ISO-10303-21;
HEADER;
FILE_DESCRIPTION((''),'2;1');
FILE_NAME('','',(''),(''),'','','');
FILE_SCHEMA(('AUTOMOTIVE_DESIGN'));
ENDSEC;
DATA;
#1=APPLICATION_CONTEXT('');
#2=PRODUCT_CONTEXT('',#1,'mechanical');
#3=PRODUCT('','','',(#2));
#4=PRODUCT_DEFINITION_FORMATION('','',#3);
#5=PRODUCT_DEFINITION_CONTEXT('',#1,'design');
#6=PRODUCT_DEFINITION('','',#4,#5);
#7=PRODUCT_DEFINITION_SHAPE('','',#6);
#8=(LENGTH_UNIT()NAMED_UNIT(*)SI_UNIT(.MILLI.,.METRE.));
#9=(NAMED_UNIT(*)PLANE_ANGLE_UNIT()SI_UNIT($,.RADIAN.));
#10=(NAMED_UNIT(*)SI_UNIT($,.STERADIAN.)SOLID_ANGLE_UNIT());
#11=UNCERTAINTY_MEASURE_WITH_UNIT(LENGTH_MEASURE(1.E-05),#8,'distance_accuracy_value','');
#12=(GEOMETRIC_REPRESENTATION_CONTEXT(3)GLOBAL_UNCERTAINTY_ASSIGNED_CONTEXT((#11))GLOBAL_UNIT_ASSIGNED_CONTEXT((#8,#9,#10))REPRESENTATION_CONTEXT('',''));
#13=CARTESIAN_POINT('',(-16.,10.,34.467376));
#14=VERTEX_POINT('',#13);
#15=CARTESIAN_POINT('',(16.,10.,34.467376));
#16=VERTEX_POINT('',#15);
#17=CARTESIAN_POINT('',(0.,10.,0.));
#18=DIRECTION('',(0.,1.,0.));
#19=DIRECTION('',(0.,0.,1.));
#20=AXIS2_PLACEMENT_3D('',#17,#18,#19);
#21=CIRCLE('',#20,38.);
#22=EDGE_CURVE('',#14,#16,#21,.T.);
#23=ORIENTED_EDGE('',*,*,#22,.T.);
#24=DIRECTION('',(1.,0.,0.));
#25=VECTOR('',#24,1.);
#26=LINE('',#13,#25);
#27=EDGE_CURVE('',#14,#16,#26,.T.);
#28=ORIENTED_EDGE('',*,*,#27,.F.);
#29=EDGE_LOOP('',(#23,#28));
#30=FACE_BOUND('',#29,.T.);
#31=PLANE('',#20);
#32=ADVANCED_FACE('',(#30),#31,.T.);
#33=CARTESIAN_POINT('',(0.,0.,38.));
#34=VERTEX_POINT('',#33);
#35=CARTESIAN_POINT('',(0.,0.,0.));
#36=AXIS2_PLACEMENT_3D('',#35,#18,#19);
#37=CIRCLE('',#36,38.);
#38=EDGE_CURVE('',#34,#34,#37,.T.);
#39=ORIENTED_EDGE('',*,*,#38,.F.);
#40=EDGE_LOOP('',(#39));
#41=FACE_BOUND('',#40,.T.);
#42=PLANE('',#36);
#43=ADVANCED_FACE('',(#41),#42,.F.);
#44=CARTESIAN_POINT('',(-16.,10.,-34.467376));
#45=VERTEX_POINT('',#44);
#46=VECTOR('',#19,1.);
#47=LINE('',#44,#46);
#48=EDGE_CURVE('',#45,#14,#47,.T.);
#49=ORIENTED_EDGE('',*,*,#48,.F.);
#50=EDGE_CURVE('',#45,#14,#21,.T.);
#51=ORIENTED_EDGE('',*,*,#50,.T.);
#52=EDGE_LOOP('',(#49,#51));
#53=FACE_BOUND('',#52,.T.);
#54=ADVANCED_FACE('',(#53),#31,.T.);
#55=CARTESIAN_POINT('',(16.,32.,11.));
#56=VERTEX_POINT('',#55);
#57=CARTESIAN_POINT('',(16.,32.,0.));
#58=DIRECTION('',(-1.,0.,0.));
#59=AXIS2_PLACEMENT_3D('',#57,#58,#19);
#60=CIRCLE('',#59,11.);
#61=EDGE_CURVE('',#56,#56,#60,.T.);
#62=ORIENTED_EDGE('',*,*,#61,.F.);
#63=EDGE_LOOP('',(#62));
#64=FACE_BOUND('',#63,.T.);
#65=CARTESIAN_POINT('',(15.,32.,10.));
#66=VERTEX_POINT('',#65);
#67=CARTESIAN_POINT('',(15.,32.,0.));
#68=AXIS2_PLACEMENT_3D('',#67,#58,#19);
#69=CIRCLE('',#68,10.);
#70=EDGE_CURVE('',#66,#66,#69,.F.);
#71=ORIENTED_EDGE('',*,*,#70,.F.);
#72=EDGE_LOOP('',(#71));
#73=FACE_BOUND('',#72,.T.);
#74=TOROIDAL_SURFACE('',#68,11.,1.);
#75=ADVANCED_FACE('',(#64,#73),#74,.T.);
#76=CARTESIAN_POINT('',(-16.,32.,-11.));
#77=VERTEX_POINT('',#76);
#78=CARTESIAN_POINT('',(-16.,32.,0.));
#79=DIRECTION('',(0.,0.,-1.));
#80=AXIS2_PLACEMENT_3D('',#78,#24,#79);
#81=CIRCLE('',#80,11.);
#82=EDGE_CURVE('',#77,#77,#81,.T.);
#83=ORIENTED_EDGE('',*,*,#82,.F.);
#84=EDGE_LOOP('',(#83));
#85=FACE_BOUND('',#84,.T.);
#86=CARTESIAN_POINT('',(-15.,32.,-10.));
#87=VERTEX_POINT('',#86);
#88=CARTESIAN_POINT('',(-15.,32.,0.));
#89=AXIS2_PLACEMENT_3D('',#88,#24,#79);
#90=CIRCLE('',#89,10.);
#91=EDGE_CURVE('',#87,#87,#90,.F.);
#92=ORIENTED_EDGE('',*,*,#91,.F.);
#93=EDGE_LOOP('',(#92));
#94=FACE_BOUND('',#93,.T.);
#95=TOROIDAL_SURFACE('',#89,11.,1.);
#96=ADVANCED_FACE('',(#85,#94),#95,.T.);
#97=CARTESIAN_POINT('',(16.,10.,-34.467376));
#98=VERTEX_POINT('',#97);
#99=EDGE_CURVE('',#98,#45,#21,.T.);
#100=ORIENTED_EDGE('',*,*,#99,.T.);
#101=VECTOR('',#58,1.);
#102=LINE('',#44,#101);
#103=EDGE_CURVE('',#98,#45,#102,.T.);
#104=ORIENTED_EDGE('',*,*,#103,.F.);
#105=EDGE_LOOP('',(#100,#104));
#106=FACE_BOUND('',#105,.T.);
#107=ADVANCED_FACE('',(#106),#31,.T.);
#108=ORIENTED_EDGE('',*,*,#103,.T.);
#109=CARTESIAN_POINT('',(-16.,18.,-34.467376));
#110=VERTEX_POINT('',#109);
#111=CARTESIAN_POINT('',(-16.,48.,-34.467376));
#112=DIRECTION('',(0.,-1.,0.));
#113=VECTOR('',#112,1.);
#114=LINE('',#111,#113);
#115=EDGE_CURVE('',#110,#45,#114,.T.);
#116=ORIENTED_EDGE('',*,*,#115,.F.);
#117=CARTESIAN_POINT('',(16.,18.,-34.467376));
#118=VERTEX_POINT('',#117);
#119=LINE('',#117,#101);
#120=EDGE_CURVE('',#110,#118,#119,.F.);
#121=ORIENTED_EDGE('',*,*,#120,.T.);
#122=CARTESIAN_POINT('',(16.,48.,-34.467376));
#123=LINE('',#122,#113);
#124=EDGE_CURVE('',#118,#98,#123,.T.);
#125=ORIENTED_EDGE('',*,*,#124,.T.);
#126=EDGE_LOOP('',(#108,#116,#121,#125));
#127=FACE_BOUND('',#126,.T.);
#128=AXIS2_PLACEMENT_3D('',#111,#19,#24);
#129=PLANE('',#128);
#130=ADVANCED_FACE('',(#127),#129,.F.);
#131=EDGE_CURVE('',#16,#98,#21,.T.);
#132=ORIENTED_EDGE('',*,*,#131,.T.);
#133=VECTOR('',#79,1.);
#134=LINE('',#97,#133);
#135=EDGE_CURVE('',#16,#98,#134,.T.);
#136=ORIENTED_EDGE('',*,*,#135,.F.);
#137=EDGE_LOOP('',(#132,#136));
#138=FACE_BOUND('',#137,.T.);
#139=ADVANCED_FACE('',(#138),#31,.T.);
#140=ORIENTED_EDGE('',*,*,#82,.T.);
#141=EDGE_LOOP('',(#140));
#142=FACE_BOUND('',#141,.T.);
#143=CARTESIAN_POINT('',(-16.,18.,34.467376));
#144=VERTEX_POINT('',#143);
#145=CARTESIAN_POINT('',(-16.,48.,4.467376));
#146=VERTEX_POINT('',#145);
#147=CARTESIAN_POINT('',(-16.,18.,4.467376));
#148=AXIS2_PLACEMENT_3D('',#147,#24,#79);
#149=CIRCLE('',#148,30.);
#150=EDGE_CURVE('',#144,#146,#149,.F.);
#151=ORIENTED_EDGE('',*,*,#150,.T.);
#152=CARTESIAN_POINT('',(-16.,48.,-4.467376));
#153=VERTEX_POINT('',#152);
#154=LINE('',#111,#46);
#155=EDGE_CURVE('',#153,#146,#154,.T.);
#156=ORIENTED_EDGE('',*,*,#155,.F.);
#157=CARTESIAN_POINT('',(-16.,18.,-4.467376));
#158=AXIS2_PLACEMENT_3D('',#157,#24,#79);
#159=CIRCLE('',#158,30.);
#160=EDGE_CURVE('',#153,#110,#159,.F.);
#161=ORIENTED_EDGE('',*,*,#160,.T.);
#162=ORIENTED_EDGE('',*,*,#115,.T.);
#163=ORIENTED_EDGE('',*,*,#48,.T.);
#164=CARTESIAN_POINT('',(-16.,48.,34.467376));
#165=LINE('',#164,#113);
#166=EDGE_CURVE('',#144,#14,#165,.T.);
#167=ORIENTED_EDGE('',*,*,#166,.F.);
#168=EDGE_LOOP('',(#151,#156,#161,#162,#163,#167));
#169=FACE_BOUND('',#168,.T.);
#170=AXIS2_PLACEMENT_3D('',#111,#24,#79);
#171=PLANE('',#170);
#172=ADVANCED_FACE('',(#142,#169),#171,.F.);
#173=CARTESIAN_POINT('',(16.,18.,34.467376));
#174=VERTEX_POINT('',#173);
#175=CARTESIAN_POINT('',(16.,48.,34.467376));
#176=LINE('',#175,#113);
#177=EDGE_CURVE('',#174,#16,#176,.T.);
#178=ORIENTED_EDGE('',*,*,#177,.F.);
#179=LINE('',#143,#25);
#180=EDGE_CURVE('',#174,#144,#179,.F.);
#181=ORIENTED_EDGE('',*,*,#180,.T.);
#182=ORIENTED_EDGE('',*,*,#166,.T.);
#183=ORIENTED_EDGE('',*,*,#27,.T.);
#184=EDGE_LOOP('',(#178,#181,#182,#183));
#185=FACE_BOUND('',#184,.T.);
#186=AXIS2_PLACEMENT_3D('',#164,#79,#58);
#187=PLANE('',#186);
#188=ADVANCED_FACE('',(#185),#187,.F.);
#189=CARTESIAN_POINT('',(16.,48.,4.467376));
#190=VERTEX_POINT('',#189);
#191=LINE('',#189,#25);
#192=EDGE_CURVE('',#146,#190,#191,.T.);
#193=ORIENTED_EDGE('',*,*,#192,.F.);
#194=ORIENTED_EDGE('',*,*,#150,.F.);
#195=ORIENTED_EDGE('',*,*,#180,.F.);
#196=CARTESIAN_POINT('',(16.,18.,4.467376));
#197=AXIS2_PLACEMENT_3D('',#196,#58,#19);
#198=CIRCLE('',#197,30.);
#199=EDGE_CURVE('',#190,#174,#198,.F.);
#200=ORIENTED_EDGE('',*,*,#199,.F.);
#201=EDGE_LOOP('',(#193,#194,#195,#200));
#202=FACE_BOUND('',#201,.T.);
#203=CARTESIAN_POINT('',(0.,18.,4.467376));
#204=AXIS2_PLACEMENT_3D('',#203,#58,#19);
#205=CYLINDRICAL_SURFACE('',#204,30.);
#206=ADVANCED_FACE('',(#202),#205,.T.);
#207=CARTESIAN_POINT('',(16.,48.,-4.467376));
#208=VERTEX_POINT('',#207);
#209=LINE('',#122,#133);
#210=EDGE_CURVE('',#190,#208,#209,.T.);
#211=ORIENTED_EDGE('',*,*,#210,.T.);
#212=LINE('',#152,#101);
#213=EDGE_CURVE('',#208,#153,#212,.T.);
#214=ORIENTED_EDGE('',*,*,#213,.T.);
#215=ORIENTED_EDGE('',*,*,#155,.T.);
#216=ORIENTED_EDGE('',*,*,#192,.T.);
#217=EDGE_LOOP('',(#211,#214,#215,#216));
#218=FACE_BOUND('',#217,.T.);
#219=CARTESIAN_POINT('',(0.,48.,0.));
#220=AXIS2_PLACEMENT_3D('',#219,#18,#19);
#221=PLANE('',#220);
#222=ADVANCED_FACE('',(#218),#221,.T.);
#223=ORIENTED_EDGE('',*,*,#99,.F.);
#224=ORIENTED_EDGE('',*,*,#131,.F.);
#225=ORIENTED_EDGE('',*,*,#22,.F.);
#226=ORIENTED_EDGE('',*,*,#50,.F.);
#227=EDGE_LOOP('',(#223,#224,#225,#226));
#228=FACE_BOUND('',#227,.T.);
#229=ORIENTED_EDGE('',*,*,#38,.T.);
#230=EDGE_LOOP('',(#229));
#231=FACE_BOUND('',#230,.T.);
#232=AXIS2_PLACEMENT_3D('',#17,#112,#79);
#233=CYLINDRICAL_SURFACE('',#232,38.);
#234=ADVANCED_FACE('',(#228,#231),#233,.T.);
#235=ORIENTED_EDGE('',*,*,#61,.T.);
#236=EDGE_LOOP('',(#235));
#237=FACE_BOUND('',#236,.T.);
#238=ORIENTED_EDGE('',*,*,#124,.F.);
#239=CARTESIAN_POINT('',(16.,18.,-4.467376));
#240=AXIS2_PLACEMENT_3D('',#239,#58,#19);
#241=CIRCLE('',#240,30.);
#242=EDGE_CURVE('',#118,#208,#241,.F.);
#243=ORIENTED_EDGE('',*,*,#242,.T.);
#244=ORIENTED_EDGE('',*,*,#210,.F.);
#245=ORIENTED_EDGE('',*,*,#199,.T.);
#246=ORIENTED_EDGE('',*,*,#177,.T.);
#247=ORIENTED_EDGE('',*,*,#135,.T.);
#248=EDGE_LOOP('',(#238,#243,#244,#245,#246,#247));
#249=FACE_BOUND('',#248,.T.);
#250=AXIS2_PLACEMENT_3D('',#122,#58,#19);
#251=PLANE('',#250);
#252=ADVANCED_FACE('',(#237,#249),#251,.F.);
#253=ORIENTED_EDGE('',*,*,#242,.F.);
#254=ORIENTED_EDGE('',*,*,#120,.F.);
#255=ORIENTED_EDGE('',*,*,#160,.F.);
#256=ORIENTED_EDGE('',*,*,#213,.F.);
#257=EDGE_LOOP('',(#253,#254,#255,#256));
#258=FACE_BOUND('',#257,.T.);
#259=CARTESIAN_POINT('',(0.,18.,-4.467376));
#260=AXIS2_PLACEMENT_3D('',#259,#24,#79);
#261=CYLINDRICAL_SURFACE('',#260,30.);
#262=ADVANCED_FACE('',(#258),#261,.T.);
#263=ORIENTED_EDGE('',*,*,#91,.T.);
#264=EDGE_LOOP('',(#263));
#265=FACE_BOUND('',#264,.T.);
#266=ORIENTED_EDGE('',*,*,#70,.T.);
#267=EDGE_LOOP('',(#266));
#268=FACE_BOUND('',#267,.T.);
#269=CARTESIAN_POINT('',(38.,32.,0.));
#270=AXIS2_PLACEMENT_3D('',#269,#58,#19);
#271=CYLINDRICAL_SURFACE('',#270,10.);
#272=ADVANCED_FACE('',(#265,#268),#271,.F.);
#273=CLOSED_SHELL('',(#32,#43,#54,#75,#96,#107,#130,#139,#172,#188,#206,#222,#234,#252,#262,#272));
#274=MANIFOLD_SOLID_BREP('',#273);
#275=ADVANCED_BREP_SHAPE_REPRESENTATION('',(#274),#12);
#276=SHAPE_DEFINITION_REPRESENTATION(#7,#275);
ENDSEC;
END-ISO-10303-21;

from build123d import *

# Parameters (mm, degrees)
SKETCH1_R               = 38
BOSS_EXTRUDE1_DEPTH     = 10
SKETCH2_W               = 32
SKETCH2_H               = 68.934751758
BOSS_EXTRUDE2_DEPTH     = 38
CUT_EXTRUDE1_DEPTH      = 38
CUT_EXTRUDE1_DEPTH_BACK = 38
SKETCH3_R               = 10
FILLET3_R               = 30
FILLET6_R               = 1


with BuildPart() as part:
    # Sketch1 → Boss-Extrude1 (new body)
    with BuildSketch(Plane(origin=(0, 0, 0), x_dir=(1, 0, 0), z_dir=(0, 1, 0))):
        with Locations(Location((0, 0, 0), (0, 0, 270))):
            Circle(SKETCH1_R)
    extrude(amount=BOSS_EXTRUDE1_DEPTH)

    # Sketch2 → Boss-Extrude2 (add)
    with BuildSketch(Plane(origin=(0, 10, 0), x_dir=(1, 0, 0), z_dir=(0, 1, 0))):
        Rectangle(SKETCH2_W, SKETCH2_H)
    extrude(amount=BOSS_EXTRUDE2_DEPTH)

    # Sketch3 → Cut-Extrude1 (cut, two sides: drawn at the far end of the back side and taken through both)
    with BuildSketch(Plane(origin=(0, 0, 0), x_dir=(0, 0, -1), z_dir=(1, 0, 0)).offset(-CUT_EXTRUDE1_DEPTH_BACK)):
        with Locations(Location((0, 32, 0), (0, 0, 180))):
            Circle(SKETCH3_R)
    extrude(amount=CUT_EXTRUDE1_DEPTH + CUT_EXTRUDE1_DEPTH_BACK, mode=Mode.SUBTRACT)

    # Fillet3
    fillet3_edges = [part.edges().sort_by_distance(p)[0] for p in [
        (0, 48, -34.467375879),
        (0, 48, 34.467375879),
    ]]
    fillet(fillet3_edges, radius=FILLET3_R)

    # Fillet6
    fillet6_edges = [part.edges().sort_by_distance(p)[0] for p in [
        (16, 32, -10),
        (-16, 32, -10),
    ]]
    fillet(fillet6_edges, radius=FILLET6_R)


solid = part.part
